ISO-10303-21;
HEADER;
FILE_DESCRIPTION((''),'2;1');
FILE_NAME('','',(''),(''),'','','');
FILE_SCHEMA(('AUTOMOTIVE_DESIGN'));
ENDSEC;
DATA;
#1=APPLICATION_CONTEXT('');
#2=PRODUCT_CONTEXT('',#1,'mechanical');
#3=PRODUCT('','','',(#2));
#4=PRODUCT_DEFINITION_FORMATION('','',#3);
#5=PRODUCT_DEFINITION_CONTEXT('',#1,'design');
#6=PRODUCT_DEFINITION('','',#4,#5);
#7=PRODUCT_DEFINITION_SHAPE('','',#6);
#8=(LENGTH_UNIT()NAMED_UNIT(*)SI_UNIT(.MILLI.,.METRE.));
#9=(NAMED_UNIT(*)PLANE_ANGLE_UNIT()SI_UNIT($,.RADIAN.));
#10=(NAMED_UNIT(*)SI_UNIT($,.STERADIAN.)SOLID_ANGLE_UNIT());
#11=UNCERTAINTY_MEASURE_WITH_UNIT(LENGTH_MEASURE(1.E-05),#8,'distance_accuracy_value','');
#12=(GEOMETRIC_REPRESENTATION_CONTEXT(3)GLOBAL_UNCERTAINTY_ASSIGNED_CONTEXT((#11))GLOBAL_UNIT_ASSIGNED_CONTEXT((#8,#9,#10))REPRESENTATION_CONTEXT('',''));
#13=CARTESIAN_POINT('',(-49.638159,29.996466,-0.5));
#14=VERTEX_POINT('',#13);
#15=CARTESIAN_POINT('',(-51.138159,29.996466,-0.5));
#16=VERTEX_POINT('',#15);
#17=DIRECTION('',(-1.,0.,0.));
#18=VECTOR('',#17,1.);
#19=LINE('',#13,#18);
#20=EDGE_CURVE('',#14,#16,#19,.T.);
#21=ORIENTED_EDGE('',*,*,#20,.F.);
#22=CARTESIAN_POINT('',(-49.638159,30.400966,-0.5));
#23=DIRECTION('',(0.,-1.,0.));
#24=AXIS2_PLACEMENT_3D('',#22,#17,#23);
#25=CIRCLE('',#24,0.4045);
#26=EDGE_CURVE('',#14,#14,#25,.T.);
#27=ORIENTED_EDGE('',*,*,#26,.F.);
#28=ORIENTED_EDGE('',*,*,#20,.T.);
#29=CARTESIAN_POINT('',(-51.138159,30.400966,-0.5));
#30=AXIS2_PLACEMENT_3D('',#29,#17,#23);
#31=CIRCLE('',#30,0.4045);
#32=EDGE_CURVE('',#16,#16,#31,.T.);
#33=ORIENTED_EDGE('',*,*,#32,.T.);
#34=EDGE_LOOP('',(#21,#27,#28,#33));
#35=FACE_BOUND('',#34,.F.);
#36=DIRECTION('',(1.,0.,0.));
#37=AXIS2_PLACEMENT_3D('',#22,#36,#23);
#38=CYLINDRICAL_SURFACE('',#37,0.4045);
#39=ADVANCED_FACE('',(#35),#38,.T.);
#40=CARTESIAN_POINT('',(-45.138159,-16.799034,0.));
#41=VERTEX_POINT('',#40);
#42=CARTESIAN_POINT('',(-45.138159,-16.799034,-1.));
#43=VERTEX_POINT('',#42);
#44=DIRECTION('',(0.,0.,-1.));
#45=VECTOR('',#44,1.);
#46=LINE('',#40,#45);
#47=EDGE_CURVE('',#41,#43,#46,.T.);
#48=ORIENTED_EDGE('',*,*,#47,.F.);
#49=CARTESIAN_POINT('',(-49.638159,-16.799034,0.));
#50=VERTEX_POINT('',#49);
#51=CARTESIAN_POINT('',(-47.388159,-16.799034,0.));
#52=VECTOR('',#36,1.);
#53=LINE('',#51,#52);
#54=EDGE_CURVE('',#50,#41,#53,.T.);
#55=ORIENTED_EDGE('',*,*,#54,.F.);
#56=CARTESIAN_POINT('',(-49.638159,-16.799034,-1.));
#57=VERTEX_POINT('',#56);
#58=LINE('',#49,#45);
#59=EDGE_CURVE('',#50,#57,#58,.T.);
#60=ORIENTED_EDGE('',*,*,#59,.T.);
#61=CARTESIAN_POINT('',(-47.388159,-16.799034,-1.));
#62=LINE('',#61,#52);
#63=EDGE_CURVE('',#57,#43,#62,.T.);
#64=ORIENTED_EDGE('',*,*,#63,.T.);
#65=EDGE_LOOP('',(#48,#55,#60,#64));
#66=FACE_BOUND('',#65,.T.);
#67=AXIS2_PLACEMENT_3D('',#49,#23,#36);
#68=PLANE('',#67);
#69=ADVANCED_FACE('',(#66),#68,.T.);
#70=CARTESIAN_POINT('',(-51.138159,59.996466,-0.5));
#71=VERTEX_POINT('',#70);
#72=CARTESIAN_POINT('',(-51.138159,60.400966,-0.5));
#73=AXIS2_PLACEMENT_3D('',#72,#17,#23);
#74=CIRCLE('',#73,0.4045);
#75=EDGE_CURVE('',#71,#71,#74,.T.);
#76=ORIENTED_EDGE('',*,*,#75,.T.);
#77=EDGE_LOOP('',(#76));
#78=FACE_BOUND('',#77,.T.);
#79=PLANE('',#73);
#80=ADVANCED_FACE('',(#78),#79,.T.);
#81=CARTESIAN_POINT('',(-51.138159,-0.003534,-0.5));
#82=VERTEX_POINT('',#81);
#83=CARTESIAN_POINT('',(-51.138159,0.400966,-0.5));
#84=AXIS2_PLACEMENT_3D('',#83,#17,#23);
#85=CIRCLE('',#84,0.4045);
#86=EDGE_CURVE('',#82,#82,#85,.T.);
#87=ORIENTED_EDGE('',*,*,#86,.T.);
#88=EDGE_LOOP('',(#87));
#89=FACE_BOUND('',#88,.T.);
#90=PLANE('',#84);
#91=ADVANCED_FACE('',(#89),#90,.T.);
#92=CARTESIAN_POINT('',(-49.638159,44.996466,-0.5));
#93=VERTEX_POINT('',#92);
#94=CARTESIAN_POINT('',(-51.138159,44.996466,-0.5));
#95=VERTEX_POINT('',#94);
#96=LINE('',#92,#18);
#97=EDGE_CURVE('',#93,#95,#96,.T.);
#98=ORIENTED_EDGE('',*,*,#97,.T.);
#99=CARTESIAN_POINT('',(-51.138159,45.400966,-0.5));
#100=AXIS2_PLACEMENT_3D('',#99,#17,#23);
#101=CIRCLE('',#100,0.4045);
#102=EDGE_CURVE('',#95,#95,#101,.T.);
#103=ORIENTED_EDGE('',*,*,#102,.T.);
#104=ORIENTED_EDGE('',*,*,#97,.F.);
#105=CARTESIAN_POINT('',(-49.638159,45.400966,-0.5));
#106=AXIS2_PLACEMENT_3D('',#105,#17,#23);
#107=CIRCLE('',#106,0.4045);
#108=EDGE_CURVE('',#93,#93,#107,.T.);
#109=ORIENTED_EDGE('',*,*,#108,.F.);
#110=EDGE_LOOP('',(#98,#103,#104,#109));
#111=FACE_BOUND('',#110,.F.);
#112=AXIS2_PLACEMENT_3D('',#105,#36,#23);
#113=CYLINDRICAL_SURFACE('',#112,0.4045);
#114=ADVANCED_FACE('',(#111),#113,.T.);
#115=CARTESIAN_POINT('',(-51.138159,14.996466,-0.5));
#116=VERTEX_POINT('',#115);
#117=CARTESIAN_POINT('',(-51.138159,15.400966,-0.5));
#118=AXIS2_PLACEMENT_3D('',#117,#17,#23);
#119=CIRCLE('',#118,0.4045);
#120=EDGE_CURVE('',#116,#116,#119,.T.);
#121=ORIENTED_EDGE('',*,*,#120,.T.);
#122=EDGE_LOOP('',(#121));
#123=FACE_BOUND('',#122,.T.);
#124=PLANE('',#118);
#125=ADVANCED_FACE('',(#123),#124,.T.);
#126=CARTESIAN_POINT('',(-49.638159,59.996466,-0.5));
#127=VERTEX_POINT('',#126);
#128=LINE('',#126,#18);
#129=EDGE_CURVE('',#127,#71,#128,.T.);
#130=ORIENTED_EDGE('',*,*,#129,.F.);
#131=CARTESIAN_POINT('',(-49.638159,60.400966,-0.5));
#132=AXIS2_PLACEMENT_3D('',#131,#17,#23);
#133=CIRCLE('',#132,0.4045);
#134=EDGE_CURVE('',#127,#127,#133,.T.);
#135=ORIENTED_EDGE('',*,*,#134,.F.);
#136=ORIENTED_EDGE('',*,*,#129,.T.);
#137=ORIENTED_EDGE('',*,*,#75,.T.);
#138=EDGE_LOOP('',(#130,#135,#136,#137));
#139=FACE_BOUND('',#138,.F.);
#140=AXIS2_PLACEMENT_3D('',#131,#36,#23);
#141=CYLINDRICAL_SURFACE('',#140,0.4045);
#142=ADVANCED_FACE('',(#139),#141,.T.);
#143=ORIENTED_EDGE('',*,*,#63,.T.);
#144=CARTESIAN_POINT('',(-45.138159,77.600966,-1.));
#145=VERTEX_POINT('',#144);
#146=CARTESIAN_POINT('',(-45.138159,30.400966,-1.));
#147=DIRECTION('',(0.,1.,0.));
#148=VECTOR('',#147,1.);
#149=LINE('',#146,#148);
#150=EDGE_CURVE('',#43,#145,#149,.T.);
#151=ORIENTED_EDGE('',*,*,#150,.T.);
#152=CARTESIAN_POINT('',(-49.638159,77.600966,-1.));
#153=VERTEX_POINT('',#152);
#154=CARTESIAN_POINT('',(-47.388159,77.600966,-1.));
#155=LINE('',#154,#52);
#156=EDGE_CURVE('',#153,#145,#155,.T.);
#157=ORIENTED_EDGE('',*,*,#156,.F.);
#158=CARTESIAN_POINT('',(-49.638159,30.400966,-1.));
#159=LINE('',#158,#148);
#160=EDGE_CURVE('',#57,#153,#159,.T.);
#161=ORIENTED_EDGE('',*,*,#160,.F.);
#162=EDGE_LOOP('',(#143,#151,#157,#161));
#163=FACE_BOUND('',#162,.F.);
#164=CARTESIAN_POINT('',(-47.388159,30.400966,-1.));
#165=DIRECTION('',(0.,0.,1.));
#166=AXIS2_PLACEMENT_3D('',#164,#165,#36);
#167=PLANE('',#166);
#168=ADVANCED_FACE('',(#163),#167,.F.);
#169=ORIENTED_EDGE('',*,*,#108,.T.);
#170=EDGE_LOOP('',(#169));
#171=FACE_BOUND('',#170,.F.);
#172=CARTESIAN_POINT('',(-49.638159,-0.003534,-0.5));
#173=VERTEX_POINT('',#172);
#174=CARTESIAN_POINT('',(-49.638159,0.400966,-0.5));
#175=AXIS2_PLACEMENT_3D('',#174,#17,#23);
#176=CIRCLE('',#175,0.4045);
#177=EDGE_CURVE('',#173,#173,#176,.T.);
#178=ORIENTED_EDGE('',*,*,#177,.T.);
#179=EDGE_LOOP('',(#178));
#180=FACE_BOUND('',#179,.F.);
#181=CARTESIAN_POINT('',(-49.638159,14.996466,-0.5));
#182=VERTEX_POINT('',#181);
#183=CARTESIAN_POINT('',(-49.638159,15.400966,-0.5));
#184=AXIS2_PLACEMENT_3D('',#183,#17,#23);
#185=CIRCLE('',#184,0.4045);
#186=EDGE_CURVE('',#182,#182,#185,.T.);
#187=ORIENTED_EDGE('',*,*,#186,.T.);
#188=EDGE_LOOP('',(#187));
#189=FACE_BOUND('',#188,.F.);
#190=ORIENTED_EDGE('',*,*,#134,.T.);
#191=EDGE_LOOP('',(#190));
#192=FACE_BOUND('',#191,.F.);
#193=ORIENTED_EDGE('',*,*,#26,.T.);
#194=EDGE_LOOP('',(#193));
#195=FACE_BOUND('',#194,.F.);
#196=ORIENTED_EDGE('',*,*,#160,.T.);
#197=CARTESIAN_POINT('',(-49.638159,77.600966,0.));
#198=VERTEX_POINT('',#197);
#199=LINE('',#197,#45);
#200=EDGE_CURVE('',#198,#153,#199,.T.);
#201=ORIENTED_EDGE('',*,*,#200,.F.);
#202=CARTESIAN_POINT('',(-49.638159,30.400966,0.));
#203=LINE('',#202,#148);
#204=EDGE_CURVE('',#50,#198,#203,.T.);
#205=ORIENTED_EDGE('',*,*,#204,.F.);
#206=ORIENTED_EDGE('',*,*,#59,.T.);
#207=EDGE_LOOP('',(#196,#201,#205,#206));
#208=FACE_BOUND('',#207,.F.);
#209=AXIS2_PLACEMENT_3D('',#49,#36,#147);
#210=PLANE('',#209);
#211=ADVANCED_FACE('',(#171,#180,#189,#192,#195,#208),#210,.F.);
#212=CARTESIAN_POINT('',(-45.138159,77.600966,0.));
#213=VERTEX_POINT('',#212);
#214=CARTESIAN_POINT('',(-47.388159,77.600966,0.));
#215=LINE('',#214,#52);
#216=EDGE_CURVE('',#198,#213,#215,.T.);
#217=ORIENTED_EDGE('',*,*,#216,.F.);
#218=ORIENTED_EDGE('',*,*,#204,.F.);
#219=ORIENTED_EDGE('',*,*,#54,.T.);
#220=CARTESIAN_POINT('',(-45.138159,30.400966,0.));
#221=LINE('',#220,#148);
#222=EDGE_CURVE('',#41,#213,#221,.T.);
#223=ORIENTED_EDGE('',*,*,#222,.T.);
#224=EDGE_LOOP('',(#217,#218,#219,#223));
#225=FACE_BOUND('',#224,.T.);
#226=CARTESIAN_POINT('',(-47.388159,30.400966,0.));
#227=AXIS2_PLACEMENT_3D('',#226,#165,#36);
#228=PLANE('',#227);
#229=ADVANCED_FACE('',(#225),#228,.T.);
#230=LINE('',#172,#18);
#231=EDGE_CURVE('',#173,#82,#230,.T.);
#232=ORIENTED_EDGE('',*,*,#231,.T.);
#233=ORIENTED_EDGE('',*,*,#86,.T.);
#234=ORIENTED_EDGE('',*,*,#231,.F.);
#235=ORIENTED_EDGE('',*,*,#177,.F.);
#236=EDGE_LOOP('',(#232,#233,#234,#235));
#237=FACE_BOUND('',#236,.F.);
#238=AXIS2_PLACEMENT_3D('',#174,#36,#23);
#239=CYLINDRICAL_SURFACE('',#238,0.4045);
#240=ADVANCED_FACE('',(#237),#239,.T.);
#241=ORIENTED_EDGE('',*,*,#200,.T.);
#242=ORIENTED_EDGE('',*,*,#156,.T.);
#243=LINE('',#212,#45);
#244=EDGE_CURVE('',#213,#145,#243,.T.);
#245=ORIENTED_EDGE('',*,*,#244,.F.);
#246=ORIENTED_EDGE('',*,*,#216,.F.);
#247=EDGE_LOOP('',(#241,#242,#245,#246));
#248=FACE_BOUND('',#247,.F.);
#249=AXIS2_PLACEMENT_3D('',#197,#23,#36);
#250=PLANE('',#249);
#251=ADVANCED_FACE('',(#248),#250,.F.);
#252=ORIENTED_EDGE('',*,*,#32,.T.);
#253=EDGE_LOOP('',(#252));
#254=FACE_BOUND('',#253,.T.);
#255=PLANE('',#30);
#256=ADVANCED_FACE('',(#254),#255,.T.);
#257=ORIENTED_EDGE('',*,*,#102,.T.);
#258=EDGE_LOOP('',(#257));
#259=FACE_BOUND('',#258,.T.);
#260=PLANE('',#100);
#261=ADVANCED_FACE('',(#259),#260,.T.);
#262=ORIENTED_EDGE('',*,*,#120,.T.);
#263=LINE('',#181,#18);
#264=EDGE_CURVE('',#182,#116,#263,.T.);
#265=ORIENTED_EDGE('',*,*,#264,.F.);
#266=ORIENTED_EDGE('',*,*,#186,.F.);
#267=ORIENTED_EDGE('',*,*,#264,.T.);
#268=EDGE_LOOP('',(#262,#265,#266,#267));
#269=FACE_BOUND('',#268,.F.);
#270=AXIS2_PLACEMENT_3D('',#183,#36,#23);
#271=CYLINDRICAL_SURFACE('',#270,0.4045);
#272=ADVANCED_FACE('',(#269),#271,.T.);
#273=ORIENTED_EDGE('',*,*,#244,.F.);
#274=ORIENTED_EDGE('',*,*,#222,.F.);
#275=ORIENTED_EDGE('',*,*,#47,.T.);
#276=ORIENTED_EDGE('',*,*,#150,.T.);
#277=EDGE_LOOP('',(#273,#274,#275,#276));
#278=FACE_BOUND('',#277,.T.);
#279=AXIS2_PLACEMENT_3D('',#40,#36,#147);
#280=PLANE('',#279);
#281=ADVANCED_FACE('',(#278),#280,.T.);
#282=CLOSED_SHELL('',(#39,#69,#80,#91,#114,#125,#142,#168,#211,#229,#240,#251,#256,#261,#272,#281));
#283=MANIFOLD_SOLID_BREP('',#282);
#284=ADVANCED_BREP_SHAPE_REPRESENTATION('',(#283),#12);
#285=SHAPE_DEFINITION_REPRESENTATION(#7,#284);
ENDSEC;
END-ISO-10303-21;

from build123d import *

# Parameters (mm, degrees)
F0_W     = 4.5
F0_H     = 94.4
F1_DEPTH = 1
F2_R     = 0.4045
F3_DEPTH = 1.5


with BuildPart() as f1:
    # F0 (on Top) → F1 (new body)
    with BuildSketch(Plane.XY):
        with Locations((-47.388159, 30.400966)):
            Rectangle(F0_W, F0_H)
    extrude(amount=-F1_DEPTH)

    # F2 (on face) → F3 (join)
    with BuildSketch(Plane(origin=(-49.638159, 0, 0), x_dir=(0, -1, 0), z_dir=(-1, 0, 0))):
        with Locations((-30.400966, -0.5)):
            Circle(F2_R)
        with Locations((-0.400966, -0.5)):
            Circle(F2_R)
        with Locations((-60.400966, -0.5)):
            Circle(F2_R)
        with Locations((-45.400966, -0.5)):
            Circle(F2_R)
        with Locations((-15.400966, -0.5)):
            Circle(F2_R)
    extrude(amount=F3_DEPTH)


solid = f1.part
